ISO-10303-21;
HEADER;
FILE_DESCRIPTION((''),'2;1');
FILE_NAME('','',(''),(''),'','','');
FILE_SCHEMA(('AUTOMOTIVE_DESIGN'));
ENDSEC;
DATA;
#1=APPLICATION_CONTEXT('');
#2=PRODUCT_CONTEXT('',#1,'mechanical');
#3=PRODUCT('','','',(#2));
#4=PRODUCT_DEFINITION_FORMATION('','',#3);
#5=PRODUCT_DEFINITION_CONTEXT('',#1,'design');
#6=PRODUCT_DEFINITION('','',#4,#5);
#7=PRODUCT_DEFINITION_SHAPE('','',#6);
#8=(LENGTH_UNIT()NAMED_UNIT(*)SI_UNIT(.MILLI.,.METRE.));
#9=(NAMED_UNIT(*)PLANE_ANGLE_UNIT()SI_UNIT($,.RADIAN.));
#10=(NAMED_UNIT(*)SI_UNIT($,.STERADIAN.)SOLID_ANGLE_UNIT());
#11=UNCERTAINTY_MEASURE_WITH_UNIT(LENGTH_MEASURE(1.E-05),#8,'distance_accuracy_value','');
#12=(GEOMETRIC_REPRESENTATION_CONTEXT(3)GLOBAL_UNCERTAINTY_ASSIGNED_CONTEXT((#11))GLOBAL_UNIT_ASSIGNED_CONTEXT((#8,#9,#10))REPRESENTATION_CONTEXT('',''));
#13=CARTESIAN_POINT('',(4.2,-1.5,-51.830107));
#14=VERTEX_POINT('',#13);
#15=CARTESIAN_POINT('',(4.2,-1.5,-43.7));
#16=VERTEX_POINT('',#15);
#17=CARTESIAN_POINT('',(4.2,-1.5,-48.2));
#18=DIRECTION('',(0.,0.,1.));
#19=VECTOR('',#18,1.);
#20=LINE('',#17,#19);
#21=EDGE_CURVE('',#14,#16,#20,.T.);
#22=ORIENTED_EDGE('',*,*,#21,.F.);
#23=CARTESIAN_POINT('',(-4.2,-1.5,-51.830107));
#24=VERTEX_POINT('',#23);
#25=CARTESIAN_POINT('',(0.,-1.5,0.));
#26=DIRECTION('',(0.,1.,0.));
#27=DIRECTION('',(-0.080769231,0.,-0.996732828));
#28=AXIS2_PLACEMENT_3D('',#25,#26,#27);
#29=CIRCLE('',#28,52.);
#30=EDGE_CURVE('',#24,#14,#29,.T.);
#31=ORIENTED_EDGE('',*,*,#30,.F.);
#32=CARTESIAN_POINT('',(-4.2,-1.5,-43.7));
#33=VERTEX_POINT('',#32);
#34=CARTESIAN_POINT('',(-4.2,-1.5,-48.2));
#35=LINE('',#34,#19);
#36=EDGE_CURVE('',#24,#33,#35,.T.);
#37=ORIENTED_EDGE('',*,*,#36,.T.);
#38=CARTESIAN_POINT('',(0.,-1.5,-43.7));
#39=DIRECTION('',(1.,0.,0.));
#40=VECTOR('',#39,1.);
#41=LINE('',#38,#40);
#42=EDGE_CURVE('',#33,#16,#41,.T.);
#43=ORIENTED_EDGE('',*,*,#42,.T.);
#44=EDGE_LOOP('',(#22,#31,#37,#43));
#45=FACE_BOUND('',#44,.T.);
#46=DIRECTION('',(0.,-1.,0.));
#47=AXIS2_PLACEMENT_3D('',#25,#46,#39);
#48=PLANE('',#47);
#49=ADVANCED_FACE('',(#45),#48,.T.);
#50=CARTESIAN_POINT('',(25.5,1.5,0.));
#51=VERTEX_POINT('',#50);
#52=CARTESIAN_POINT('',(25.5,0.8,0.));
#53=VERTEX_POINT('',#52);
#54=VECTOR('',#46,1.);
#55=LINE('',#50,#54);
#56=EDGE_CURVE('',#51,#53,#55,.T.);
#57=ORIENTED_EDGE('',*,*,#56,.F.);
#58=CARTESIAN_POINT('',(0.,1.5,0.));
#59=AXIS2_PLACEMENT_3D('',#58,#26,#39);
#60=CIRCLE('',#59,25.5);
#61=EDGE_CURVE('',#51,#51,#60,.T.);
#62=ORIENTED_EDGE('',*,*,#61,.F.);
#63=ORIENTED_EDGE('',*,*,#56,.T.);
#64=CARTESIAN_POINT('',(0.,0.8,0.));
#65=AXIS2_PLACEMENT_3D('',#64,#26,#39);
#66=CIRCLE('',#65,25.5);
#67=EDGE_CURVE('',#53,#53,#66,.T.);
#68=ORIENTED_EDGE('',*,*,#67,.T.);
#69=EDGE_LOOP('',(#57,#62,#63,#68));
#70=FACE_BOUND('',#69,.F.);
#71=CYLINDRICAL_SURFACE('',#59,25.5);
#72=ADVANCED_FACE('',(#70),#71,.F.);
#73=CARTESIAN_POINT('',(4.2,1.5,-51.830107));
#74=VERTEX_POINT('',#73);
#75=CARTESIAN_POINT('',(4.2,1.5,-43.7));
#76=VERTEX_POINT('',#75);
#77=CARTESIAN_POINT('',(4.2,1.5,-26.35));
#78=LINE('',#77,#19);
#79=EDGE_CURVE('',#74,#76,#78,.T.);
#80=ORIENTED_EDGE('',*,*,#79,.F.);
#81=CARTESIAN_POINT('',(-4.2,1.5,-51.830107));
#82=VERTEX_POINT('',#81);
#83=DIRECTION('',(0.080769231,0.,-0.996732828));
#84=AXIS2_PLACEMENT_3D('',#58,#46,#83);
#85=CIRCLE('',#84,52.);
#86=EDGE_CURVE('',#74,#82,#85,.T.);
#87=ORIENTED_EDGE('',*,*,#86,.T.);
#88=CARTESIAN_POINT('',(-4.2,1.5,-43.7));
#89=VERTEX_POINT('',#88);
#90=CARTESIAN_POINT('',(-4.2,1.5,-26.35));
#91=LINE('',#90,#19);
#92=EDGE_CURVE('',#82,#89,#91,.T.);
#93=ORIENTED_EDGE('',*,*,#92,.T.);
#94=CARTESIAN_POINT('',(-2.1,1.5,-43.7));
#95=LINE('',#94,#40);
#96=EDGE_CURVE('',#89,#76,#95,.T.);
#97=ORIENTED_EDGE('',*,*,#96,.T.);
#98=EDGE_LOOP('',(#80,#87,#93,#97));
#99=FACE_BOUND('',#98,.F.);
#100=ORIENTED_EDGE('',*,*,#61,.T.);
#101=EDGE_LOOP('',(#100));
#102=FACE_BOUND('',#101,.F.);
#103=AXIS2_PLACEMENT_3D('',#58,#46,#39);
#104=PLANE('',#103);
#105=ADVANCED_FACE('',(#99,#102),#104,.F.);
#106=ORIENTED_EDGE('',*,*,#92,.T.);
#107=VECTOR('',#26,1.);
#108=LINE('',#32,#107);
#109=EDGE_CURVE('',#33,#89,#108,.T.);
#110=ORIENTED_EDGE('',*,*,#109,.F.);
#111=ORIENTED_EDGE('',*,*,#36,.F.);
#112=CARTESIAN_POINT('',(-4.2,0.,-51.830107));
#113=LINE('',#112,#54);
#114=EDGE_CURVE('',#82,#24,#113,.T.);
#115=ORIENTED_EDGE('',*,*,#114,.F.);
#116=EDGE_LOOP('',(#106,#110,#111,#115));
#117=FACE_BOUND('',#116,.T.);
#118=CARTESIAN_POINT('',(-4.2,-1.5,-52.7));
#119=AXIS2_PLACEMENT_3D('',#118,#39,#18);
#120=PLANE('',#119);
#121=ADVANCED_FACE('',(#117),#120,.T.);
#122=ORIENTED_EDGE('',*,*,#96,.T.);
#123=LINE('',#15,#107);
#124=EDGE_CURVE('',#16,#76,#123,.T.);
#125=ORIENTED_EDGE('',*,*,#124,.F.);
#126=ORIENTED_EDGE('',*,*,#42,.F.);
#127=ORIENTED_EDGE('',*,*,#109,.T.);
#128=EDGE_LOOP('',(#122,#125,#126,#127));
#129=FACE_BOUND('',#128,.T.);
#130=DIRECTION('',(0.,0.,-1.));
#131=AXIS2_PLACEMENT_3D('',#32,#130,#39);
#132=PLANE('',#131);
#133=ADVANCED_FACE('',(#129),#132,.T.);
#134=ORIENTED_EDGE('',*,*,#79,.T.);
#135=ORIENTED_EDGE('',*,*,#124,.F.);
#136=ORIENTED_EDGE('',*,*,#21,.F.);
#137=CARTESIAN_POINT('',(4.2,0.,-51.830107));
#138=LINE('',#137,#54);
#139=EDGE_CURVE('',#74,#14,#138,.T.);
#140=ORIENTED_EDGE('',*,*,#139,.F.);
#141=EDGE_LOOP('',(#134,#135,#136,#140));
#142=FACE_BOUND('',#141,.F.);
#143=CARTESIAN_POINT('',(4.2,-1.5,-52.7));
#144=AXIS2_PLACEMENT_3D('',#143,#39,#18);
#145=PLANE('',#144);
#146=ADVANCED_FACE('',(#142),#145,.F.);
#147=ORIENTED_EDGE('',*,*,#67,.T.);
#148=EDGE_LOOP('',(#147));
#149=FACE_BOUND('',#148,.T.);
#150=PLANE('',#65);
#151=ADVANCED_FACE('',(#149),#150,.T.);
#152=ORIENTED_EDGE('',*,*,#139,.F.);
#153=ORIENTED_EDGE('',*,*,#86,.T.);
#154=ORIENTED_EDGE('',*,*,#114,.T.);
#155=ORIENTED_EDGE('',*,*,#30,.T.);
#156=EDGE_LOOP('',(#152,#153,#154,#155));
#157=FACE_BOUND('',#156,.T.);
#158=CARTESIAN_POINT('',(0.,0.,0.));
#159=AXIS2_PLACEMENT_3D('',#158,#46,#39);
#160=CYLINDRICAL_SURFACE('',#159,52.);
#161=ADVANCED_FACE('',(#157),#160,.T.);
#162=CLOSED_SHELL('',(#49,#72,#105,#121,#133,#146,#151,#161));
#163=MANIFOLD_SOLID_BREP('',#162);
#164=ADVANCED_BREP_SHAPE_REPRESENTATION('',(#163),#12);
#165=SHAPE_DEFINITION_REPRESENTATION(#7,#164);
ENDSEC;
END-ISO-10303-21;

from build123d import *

# Parameters (mm, degrees)
SKETCH007_R     = 52
PAD004_DEPTH    = 1.5
SKETCH008_R     = 25.5
POCKET001_DEPTH = 0.7
SKETCH010_W     = 8.4
SKETCH010_H     = 9
POCKET002_DEPTH = 10


with BuildPart() as part:
    # Sketch007 → Pad004 (new body, symmetric)
    with BuildSketch(Plane.XZ):
        Circle(SKETCH007_R)
    extrude(amount=PAD004_DEPTH, both=True)

    # Sketch008 (on Face2 of Pad004) → Pocket001 (cut)
    with BuildSketch(Plane(origin=(0, 1.5, 0), x_dir=(1, 0, 0), z_dir=(0, 1, 0))):
        Circle(SKETCH008_R)
    extrude(amount=-POCKET001_DEPTH, mode=Mode.SUBTRACT)

    # Sketch010 (on Face3 of Pocket001) → Pocket002 (cut)
    with BuildSketch(Plane.XZ.offset(1.5)):
        with Locations((0, -48.2)):
            Rectangle(SKETCH010_W, SKETCH010_H)
    extrude(amount=-POCKET002_DEPTH, mode=Mode.SUBTRACT)


solid = part.part
